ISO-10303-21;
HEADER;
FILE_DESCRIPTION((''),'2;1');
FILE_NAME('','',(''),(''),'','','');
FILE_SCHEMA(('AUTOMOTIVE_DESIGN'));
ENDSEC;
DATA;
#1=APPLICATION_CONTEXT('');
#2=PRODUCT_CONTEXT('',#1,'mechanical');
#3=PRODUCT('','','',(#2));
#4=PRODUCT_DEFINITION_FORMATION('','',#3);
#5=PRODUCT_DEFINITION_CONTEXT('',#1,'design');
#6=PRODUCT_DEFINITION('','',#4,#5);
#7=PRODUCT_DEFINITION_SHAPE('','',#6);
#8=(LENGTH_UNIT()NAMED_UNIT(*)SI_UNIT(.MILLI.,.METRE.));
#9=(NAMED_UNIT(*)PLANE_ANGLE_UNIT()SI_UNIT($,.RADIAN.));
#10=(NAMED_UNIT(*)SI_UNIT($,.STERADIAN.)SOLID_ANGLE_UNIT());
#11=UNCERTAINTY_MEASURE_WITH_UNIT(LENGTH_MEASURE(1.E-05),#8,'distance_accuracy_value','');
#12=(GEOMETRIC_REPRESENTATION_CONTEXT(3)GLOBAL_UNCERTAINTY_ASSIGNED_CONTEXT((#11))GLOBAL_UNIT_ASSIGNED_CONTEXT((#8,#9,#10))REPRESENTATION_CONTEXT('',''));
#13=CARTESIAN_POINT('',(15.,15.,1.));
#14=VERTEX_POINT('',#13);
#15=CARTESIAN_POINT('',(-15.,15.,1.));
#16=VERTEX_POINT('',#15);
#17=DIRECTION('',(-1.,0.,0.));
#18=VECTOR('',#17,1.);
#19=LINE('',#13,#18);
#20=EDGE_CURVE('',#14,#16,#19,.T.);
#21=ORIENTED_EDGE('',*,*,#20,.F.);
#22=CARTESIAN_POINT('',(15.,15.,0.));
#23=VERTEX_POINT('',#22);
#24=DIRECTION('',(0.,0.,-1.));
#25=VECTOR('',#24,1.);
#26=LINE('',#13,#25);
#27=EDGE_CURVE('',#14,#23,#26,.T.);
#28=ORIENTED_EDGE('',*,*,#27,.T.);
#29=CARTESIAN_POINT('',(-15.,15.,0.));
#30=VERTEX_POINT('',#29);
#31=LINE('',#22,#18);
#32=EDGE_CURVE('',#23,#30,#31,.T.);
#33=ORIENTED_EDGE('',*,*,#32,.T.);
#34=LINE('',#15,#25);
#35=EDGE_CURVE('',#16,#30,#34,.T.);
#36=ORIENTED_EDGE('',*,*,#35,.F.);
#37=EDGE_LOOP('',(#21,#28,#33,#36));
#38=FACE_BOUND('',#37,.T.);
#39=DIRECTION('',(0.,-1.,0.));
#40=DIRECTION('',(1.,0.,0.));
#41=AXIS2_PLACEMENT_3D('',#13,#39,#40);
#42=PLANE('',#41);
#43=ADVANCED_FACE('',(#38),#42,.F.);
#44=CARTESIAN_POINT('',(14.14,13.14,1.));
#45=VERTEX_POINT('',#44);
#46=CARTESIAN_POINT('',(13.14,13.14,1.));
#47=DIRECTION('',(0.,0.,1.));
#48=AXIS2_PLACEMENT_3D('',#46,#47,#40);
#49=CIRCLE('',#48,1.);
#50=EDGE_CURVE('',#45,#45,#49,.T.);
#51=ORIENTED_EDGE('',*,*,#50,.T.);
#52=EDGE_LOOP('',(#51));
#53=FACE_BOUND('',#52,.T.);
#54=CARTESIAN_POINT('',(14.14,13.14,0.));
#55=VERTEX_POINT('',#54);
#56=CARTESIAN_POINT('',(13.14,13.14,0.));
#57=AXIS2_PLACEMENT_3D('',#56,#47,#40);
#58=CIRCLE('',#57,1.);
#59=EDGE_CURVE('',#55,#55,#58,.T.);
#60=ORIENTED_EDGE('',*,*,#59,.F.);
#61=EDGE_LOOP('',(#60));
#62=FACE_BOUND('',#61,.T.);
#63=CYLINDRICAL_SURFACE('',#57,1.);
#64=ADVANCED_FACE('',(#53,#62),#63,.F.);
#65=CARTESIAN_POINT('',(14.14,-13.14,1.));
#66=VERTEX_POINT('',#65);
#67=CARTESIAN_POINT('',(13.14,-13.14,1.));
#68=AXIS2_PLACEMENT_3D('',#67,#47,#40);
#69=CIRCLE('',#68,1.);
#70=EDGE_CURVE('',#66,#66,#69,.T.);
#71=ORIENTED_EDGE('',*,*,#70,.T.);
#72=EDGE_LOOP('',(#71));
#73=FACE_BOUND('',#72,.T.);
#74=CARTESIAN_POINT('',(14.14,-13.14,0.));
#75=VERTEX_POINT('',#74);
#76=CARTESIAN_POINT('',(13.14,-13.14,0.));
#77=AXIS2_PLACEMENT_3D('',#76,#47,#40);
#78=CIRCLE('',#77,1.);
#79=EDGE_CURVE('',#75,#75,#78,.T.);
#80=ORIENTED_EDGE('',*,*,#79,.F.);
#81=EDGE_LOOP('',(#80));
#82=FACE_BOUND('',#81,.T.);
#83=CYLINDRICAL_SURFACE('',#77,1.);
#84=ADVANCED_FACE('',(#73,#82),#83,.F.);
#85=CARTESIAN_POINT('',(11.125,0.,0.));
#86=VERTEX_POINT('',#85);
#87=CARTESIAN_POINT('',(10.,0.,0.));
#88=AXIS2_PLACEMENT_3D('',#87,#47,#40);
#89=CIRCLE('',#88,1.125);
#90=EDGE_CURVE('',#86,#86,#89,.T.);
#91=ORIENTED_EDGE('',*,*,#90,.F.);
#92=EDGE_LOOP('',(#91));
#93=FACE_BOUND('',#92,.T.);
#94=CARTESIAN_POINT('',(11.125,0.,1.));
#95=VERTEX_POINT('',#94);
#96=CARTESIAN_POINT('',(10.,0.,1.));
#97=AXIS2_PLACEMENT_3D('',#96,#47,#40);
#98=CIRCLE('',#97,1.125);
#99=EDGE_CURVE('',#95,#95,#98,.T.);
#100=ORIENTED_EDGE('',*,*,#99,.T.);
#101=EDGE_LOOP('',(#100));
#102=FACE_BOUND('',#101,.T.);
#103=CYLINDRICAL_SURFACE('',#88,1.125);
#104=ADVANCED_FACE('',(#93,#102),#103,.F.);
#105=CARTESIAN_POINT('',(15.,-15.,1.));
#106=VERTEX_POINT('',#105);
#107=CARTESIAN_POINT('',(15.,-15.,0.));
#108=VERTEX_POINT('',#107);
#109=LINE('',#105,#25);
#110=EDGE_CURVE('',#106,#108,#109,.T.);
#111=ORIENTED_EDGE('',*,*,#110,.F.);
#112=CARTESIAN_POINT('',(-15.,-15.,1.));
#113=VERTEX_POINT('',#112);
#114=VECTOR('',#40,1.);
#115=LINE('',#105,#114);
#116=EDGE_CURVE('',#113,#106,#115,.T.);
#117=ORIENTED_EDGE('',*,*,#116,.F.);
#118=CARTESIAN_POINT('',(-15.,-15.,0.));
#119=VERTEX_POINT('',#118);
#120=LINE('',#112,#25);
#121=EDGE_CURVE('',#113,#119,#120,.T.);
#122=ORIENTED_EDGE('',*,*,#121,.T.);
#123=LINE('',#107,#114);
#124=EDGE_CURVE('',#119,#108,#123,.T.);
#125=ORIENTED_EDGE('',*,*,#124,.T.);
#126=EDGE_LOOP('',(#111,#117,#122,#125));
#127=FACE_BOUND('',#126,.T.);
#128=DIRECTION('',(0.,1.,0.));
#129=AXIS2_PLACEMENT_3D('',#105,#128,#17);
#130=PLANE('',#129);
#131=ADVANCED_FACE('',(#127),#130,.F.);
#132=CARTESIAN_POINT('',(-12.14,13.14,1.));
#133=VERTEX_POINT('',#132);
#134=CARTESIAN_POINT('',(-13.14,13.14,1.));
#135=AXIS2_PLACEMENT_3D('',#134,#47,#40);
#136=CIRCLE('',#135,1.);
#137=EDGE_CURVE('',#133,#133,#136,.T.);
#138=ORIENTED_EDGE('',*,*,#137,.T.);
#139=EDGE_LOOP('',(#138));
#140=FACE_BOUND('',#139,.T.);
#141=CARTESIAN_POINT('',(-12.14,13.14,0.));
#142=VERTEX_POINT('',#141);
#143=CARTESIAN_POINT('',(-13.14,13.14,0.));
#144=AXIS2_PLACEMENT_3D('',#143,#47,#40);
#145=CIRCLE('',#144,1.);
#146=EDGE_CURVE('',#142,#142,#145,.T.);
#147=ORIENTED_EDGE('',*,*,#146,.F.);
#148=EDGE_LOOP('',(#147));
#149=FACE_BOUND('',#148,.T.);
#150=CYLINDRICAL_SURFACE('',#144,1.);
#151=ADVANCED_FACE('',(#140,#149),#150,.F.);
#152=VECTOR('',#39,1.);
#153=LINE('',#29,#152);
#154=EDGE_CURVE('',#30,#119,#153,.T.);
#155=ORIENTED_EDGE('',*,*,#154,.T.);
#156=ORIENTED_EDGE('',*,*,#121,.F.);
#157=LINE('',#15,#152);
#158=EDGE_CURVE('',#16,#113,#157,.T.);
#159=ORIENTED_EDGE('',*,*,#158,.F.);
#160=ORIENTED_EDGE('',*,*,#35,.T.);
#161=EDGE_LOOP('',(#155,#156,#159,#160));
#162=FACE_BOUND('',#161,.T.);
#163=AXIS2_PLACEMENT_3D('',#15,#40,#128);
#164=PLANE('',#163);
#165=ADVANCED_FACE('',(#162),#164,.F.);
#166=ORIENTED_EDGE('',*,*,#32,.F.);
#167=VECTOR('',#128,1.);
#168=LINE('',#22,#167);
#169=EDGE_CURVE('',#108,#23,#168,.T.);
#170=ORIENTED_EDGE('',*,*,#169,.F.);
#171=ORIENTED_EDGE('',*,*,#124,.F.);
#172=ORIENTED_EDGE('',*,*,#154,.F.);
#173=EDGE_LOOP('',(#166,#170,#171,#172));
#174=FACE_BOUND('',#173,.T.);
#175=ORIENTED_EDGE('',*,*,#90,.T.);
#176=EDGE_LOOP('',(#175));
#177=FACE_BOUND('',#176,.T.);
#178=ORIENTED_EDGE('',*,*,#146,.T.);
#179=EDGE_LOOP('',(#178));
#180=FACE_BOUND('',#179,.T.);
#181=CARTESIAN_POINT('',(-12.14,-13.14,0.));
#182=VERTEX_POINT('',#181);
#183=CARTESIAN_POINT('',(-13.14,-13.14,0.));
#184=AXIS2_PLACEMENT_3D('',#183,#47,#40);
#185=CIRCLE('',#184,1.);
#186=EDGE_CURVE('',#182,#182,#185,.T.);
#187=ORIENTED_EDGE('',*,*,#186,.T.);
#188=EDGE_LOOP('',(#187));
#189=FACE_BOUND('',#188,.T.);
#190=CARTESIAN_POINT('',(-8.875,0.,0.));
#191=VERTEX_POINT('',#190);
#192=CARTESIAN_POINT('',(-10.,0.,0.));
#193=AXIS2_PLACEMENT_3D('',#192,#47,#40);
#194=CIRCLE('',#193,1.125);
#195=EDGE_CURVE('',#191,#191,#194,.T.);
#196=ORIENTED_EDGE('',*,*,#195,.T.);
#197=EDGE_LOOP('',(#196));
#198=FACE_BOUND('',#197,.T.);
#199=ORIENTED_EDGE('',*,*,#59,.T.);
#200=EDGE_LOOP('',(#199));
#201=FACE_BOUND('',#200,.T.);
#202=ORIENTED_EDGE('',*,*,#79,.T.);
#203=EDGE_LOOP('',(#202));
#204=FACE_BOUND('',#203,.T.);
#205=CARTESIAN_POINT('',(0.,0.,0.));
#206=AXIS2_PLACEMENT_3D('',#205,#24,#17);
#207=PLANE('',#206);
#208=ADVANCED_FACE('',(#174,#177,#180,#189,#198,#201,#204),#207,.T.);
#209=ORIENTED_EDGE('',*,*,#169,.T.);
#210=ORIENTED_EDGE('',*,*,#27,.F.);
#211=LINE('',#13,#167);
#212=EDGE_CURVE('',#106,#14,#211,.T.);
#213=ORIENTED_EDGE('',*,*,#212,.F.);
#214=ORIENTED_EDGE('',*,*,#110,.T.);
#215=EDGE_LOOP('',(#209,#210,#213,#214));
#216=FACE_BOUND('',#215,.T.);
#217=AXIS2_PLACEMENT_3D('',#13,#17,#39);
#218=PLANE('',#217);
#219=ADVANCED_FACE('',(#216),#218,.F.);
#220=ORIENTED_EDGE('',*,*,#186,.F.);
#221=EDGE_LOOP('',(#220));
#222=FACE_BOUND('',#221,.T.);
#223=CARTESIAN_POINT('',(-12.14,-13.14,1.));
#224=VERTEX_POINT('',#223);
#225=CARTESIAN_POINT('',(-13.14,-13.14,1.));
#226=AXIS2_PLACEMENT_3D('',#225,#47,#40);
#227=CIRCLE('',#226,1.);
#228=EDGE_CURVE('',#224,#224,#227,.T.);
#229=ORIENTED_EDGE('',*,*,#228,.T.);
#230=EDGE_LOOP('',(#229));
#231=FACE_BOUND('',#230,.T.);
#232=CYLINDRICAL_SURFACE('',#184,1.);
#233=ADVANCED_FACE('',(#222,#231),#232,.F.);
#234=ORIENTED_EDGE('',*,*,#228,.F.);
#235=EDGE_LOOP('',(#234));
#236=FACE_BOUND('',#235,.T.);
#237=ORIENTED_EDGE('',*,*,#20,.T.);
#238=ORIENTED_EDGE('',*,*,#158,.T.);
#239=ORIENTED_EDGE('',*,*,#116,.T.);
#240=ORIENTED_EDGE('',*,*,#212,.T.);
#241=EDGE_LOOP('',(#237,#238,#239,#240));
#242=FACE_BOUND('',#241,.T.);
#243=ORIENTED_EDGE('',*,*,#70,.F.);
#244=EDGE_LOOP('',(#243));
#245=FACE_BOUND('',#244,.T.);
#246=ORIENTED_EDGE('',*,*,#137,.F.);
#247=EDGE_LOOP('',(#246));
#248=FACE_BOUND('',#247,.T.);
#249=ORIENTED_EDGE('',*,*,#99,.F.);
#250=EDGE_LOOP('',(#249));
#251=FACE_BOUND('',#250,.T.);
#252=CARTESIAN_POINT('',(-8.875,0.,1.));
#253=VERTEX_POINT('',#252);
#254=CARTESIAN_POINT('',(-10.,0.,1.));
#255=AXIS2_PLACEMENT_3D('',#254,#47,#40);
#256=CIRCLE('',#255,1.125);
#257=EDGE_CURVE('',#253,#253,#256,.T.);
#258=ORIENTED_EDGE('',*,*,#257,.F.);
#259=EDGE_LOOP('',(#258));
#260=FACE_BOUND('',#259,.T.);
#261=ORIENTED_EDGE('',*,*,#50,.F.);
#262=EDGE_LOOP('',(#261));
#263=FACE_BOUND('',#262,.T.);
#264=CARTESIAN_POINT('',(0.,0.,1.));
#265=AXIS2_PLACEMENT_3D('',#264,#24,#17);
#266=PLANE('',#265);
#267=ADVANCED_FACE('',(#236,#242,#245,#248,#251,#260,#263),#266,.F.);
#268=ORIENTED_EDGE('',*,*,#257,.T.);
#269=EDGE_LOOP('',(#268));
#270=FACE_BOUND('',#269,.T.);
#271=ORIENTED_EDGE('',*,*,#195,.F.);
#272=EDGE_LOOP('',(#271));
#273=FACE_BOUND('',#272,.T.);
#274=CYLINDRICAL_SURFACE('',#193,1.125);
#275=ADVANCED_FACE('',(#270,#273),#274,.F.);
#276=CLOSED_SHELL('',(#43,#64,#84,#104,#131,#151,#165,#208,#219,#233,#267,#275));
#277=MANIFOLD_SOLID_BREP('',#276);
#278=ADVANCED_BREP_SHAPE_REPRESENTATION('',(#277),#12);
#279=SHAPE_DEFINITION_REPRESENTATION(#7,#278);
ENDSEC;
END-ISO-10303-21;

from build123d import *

# Parameters (mm, degrees)
SKETCH1_W           = 30
SKETCH1_H           = 30
BOSS_EXTRUDE1_DEPTH = 1
SKETCH2_R           = 1
SKETCH2_R_2         = 1.125
CUT_EXTRUDE1_DEPTH  = 2


with BuildPart() as part:
    # Sketch1 → Boss-Extrude1 (new body)
    with BuildSketch(Plane.XY):
        Rectangle(SKETCH1_W, SKETCH1_H)
    extrude(amount=BOSS_EXTRUDE1_DEPTH)

    # Sketch2 → Cut-Extrude1 (cut, through all)
    with BuildSketch(Plane.XY.offset(1)):
        with Locations((-13.14, 13.14)):
            Circle(SKETCH2_R)
        with Locations((13.14, 13.14)):
            Circle(SKETCH2_R)
        with Locations((13.14, -13.14)):
            Circle(SKETCH2_R)
        with Locations((-13.14, -13.14)):
            Circle(SKETCH2_R)
        with Locations((-10, 0)):
            Circle(SKETCH2_R_2)
        with Locations((10, 0)):
            Circle(SKETCH2_R_2)
    extrude(amount=-CUT_EXTRUDE1_DEPTH, mode=Mode.SUBTRACT)


solid = part.part
